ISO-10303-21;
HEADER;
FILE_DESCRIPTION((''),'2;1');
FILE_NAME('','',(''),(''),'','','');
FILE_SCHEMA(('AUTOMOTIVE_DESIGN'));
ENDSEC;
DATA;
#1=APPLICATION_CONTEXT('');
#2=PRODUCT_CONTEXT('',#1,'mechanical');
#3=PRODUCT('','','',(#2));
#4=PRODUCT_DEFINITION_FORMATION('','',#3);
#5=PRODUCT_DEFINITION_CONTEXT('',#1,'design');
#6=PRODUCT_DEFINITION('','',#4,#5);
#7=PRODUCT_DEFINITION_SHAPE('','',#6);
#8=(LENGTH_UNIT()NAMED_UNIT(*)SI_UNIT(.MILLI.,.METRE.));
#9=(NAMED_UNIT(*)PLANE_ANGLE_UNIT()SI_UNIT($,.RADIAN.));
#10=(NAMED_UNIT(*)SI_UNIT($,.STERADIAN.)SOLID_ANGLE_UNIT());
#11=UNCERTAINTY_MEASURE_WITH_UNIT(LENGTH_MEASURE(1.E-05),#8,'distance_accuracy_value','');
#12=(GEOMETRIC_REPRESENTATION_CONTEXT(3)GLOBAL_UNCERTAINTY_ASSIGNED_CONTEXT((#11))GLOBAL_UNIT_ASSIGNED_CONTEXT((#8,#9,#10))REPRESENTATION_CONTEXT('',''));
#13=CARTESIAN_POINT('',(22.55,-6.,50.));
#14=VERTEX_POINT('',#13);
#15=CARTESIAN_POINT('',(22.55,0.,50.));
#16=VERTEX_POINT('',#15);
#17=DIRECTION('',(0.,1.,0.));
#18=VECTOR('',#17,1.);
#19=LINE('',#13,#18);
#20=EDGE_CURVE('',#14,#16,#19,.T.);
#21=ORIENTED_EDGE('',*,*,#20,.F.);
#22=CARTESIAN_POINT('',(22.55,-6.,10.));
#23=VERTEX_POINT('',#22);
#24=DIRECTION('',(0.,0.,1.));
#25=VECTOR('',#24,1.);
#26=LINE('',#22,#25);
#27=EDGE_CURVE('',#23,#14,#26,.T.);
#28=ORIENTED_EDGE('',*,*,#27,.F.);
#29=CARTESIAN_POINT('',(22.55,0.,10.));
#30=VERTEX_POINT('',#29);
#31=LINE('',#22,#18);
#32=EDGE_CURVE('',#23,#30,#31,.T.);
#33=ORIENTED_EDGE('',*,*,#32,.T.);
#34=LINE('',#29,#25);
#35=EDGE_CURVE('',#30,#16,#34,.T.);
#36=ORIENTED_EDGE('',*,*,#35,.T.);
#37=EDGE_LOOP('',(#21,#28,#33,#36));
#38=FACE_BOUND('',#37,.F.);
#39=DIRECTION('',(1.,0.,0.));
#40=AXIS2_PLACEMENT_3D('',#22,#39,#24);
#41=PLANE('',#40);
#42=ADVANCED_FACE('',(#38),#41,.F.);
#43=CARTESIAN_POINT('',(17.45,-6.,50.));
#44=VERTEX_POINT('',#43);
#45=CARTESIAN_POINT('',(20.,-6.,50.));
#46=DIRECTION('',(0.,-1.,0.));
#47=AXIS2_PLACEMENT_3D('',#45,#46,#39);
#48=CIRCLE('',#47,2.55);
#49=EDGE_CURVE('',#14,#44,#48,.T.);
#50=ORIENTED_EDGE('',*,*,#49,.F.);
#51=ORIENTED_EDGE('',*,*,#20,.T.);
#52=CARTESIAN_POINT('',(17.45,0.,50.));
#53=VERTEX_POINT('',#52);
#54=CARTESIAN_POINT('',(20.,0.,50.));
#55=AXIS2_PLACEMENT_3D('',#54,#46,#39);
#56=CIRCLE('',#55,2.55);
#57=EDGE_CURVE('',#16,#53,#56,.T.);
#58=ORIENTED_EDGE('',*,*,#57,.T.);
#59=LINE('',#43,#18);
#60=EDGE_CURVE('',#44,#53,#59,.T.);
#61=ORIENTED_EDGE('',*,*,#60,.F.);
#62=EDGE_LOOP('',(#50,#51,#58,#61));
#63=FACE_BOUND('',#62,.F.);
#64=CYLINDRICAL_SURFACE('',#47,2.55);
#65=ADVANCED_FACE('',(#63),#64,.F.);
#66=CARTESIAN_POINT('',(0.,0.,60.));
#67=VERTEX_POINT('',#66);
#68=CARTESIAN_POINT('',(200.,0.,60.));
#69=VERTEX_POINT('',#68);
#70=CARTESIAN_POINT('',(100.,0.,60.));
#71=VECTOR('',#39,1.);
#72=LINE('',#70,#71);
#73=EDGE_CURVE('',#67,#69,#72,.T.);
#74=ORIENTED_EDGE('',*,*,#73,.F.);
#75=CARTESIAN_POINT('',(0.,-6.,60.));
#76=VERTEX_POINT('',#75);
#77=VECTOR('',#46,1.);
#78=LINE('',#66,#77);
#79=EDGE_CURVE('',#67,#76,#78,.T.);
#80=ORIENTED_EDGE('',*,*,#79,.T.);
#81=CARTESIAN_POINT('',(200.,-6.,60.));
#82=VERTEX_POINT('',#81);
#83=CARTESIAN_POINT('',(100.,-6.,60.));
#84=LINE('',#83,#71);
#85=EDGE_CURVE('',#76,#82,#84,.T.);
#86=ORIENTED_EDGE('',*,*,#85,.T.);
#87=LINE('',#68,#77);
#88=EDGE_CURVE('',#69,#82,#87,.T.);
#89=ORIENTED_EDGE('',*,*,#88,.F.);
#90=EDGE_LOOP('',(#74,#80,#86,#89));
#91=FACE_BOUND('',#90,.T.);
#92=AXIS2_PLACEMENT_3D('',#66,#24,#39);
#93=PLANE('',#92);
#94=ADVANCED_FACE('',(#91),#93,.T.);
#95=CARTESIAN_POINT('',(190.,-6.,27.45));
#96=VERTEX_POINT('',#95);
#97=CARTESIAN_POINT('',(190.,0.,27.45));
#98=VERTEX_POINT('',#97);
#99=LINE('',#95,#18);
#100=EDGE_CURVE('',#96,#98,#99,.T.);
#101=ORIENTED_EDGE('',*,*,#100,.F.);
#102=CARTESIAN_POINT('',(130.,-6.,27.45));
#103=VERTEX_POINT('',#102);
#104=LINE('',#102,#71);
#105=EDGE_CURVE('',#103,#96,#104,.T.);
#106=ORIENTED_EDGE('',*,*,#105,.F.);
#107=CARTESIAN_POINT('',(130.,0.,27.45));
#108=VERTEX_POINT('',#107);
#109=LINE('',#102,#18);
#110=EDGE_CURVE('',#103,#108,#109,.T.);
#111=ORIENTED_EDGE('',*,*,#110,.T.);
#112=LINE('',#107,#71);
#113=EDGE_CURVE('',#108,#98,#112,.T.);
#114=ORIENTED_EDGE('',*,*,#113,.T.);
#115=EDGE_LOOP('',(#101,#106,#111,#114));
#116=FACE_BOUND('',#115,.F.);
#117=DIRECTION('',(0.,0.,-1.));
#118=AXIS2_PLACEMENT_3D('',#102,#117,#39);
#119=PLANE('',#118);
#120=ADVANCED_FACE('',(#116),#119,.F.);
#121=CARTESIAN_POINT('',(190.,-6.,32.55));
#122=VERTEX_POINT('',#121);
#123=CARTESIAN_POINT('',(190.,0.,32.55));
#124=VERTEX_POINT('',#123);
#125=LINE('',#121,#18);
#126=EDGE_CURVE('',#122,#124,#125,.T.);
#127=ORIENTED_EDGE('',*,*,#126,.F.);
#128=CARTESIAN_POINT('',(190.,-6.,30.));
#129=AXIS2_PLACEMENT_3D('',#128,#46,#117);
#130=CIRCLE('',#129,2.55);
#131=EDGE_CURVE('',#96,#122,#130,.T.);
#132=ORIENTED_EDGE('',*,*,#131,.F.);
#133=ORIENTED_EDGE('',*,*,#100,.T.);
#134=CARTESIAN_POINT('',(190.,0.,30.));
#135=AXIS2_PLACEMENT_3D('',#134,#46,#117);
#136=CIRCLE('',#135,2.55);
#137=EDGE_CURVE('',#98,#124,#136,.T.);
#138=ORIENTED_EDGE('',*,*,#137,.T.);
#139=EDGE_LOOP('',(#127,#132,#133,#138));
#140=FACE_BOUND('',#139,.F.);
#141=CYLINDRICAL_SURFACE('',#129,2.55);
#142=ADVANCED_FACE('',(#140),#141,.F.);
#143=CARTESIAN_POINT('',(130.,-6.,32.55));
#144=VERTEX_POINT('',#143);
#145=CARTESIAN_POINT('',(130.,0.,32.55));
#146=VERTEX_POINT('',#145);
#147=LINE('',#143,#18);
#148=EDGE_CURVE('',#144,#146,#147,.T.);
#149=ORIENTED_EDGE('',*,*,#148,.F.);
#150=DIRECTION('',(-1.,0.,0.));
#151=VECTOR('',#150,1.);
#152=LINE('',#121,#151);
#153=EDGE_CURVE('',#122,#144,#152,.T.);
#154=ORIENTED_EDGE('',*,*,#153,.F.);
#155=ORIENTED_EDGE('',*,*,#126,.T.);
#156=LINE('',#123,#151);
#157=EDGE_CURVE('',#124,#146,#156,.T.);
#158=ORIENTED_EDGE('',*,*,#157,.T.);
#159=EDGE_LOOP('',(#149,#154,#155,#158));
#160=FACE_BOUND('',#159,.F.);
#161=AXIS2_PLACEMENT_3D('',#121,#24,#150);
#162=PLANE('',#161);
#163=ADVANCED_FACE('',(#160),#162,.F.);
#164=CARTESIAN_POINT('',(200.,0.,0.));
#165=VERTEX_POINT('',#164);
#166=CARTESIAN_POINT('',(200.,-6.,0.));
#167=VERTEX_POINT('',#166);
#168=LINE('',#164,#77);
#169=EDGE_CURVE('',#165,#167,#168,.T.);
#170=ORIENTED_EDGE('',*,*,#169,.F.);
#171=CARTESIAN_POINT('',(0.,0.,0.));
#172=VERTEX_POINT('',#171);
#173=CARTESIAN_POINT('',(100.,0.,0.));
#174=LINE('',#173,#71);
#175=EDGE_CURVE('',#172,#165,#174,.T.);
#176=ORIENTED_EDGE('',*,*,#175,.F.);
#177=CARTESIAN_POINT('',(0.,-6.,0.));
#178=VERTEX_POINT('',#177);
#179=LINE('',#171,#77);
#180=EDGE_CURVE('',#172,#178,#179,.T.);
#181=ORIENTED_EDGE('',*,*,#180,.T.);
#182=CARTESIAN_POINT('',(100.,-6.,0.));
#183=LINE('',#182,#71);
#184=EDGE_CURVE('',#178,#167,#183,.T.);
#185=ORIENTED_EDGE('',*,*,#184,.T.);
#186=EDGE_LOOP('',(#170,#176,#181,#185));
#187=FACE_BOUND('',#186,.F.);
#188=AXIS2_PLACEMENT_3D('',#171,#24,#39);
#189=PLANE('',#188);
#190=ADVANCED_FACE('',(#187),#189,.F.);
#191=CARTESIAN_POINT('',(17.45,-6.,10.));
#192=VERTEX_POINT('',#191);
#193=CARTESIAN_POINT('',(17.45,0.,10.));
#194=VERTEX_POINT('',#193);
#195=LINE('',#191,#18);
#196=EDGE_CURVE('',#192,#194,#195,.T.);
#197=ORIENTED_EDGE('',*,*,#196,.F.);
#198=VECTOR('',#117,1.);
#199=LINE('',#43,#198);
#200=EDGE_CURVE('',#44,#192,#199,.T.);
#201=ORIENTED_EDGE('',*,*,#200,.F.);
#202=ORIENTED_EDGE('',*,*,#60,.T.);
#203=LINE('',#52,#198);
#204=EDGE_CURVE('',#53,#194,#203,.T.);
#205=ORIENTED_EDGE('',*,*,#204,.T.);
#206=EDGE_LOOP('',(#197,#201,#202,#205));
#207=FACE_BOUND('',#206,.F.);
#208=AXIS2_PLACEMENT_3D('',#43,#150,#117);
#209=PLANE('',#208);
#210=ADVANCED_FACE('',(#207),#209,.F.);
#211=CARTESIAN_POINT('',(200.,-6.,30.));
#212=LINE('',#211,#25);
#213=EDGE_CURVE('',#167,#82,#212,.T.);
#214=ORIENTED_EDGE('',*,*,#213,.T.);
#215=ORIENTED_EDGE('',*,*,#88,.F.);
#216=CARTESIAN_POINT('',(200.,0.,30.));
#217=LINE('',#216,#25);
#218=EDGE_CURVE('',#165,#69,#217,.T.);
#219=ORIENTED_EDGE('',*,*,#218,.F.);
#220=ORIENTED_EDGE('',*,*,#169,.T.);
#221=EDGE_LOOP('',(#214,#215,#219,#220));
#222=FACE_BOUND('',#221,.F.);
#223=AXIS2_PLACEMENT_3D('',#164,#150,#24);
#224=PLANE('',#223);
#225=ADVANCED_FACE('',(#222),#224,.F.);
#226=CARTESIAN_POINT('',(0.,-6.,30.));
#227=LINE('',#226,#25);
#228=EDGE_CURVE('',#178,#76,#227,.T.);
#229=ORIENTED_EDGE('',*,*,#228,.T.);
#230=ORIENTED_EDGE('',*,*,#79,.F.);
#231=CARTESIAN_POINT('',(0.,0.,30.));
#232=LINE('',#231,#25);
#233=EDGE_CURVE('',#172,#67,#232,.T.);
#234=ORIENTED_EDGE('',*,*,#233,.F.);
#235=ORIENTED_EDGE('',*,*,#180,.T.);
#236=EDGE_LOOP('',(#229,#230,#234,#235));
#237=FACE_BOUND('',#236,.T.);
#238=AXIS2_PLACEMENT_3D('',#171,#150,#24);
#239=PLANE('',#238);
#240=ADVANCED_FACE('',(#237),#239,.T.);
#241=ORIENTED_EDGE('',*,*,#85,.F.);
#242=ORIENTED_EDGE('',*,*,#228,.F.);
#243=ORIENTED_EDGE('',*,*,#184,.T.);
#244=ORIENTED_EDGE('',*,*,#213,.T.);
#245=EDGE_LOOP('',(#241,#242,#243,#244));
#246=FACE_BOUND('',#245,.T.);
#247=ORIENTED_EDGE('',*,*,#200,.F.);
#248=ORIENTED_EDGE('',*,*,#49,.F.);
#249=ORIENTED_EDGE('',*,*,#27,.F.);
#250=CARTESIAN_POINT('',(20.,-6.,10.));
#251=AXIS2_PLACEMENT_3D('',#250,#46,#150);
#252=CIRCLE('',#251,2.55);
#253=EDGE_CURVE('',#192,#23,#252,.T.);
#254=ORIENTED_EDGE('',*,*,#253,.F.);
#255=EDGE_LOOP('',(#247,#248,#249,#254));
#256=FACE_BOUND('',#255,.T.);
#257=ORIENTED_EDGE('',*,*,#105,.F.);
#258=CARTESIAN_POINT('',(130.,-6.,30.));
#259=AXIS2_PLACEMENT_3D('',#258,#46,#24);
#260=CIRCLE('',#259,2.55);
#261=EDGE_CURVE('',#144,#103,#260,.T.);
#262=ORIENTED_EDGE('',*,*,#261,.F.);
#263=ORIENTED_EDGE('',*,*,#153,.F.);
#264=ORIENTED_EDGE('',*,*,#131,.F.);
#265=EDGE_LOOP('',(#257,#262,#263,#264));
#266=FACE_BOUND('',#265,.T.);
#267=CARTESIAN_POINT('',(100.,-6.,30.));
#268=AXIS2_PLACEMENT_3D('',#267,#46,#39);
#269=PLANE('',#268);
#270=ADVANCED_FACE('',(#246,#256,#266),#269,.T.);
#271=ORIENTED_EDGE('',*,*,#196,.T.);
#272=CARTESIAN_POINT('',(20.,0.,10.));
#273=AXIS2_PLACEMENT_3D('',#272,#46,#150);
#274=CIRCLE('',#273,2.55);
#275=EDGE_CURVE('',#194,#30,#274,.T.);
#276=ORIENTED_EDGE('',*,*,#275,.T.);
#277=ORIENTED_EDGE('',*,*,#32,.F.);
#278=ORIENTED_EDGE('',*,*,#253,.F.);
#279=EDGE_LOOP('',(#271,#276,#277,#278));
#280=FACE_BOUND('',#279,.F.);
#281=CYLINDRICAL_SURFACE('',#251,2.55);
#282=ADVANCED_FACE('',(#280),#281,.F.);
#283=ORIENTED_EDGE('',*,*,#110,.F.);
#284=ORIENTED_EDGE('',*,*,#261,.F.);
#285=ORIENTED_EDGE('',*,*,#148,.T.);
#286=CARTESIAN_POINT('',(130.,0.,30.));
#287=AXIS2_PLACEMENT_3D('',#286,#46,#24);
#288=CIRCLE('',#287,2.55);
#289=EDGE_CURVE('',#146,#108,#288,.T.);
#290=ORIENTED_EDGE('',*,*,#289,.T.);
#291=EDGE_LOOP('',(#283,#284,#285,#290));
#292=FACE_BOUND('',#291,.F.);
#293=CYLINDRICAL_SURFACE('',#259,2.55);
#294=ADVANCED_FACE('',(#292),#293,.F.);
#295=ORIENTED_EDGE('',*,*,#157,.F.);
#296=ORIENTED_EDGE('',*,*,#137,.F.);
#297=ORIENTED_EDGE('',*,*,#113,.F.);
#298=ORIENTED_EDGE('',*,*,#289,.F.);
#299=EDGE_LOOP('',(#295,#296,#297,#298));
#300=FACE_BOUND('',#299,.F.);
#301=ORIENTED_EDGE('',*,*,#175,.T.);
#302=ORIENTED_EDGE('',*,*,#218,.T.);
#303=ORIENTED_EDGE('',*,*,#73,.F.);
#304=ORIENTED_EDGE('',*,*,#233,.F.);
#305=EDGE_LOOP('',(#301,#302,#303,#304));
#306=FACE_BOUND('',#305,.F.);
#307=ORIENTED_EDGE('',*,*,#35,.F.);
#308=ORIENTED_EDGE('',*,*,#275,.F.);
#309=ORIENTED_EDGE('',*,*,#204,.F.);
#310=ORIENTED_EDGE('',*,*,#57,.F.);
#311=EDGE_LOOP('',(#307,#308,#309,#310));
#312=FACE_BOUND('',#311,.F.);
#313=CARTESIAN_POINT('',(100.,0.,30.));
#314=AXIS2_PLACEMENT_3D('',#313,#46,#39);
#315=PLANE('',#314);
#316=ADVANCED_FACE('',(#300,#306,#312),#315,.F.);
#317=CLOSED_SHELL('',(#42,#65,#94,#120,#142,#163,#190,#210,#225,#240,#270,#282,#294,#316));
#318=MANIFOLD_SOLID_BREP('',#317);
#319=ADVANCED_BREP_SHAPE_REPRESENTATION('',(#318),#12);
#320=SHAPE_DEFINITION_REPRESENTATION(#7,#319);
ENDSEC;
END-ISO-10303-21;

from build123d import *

# Parameters (mm, degrees)
F0_W     = 200
F0_H     = 60
F1_DEPTH = 6
F3_DEPTH = 6


with BuildPart() as f1:
    # F0 (on Front) → F1 (new body)
    with BuildSketch(Plane.XZ):
        with Locations((100, 30)):
            Rectangle(F0_W, F0_H)
    extrude(amount=F1_DEPTH)

    # F2 (on face) → F3 (cut, through all)
    with BuildSketch(Plane.XZ.offset(6)):
        with BuildLine():
            ThreePointArc((22.55, 50), (20, 52.55), (17.45, 50))
            Line((17.45, 50), (17.45, 10))
            ThreePointArc((17.45, 10), (20, 7.45), (22.55, 10))
            Line((22.55, 10), (22.55, 50))
        make_face()
        with BuildLine():
            ThreePointArc((190, 27.45), (192.55, 30), (190, 32.55))
            Line((190, 32.55), (130, 32.55))
            ThreePointArc((130, 32.55), (127.45, 30), (130, 27.45))
            Line((130, 27.45), (190, 27.45))
        make_face()
    extrude(amount=-F3_DEPTH, mode=Mode.SUBTRACT)


solid = f1.part
